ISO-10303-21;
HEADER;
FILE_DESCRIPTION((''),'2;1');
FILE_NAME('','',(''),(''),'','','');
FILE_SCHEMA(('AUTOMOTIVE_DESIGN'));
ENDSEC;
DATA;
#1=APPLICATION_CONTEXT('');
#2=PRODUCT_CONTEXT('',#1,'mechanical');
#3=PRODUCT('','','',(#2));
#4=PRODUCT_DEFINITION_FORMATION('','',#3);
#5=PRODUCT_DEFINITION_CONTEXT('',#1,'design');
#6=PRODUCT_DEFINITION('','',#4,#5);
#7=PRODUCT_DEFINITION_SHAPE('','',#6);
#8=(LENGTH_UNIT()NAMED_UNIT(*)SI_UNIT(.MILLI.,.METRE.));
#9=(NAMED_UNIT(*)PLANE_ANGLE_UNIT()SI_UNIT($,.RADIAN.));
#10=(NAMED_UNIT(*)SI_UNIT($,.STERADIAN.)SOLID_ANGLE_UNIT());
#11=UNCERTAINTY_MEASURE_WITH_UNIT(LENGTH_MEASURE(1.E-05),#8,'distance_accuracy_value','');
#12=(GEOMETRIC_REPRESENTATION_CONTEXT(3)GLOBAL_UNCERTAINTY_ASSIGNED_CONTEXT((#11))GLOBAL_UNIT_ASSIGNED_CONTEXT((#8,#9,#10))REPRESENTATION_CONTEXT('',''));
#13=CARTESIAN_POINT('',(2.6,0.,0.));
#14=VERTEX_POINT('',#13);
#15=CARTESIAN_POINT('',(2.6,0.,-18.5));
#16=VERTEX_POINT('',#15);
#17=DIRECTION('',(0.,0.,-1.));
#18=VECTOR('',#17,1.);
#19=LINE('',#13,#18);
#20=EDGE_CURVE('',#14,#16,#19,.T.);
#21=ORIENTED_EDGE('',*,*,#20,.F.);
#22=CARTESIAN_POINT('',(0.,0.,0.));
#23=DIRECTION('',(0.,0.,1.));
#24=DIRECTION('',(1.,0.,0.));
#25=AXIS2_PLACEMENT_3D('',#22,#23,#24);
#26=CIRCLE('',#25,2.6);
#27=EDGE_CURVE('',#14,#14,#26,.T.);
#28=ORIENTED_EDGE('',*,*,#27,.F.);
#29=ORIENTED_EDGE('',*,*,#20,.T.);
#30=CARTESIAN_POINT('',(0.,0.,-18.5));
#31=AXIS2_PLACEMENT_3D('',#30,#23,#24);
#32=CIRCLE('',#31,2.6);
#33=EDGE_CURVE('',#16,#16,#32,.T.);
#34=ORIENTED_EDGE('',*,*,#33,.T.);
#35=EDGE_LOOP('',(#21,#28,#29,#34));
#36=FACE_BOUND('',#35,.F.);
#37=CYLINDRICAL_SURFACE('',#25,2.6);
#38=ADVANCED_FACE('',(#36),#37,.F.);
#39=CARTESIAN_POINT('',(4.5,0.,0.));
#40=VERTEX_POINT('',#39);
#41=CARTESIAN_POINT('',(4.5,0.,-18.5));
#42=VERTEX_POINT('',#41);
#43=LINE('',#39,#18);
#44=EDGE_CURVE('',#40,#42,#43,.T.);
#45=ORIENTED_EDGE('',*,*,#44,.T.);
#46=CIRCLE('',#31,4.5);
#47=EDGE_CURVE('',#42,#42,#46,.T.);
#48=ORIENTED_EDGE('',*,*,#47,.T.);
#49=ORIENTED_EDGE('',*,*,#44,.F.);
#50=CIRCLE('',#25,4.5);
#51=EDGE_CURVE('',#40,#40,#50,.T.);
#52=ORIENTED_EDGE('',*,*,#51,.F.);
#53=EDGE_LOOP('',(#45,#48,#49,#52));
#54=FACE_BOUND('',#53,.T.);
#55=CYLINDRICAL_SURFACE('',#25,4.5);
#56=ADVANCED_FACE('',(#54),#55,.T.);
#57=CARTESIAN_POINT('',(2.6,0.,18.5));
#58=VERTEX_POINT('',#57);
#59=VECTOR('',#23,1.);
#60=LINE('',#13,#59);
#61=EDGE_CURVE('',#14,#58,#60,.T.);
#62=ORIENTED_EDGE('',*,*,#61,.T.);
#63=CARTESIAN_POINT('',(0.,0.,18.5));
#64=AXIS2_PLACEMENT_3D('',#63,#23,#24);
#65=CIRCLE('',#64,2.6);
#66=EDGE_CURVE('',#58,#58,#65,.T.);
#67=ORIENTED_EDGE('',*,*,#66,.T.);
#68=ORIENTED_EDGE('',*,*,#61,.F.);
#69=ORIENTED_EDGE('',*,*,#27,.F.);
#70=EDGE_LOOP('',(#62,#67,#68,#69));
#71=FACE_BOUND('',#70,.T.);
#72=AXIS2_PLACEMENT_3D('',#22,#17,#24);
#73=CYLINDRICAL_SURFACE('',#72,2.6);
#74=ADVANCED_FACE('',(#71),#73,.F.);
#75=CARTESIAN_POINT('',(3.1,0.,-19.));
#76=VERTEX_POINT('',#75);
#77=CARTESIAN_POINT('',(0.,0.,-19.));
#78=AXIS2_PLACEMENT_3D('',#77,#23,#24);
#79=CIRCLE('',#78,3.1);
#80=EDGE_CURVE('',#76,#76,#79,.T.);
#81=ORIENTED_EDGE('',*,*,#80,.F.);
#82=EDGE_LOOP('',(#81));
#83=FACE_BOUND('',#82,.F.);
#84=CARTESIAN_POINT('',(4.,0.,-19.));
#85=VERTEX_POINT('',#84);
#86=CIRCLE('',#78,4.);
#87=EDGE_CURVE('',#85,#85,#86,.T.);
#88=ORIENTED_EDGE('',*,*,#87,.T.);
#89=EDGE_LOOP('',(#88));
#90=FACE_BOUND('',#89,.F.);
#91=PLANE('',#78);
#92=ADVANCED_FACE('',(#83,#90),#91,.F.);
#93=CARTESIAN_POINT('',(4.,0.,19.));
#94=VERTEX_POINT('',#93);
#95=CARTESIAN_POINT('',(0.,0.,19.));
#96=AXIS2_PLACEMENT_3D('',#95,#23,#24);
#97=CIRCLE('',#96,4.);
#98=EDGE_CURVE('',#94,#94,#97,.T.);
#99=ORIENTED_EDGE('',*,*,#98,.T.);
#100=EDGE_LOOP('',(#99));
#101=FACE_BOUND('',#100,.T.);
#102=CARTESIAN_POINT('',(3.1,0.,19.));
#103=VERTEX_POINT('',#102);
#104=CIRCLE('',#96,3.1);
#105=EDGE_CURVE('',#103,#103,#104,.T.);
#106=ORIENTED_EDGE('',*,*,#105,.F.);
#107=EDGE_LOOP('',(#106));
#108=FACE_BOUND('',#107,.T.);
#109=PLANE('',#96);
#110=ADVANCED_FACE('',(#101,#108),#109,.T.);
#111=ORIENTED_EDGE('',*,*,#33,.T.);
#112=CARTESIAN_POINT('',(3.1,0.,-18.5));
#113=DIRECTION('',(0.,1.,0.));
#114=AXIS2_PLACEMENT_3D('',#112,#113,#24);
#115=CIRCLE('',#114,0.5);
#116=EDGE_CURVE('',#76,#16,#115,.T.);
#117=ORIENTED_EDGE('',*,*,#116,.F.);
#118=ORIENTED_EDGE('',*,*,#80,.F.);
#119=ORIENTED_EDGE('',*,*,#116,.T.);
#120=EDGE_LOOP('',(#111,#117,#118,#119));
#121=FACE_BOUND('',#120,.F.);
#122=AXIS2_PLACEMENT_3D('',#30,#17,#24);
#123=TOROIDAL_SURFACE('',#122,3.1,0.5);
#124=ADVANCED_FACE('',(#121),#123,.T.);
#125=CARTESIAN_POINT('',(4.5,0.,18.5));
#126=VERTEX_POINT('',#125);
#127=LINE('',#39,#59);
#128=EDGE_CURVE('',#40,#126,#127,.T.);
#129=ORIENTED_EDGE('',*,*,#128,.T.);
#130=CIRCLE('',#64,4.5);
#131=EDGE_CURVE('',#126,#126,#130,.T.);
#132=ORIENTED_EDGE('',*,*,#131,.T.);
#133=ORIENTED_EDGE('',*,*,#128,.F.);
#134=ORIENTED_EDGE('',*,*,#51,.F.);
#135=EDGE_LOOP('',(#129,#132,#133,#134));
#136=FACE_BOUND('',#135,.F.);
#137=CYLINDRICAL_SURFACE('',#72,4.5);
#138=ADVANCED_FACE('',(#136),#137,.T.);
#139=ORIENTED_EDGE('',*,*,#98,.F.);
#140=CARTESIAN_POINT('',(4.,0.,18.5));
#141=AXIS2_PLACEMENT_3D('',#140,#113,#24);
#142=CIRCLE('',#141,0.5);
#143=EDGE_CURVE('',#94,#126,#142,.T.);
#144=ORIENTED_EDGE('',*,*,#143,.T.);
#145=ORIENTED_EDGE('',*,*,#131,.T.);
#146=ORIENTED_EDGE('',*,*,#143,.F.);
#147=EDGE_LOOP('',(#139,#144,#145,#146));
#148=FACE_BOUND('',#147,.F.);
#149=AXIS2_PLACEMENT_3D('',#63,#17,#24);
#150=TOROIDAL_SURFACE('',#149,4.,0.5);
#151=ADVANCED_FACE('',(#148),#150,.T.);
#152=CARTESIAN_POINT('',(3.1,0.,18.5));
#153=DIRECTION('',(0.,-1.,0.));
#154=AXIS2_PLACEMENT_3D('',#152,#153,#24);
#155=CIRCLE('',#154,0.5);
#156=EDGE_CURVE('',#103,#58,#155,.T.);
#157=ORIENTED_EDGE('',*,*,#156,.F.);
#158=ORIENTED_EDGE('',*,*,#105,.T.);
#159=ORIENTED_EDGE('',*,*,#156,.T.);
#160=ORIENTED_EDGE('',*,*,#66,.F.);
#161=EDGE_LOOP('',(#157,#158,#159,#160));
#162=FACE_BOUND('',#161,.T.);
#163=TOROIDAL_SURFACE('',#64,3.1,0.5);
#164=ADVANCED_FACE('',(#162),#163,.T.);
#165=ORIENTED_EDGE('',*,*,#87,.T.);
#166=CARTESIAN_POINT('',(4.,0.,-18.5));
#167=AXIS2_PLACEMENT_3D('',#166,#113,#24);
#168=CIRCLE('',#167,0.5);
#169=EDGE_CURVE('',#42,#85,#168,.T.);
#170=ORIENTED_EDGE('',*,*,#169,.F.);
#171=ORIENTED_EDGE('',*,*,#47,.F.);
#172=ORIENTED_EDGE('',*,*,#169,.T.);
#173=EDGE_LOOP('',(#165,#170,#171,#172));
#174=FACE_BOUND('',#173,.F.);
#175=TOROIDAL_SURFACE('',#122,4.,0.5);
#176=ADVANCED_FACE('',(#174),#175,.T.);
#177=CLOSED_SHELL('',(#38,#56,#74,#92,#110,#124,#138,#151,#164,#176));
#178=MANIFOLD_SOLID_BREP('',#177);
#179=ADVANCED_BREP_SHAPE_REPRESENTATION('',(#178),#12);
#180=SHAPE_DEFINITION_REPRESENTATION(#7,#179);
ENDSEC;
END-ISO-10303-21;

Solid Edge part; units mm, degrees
sketch "Sketch1" plane through (0, 0, 0) normal (0, 0, 1) x (1, 0, 0)
  circle A0 centre (0, 0) radius 4.5
  circle A1 centre (0, 0) radius 2.6
  dimension "D1" = 9
  dimension "D2" = 5.2
extrude "Protrusion1" add sketch "Sketch1" along normal mid plane 38
fillet "Round_1" radius 0.5 2 edges at (-2.6, 0, -19) (-2.6, 0, 19)
fillet "Round_2" radius 0.5 2 edges at (-4.5, 0, -19) (-4.5, 0, 19)
properties material "Acrylic, high impact grade"
